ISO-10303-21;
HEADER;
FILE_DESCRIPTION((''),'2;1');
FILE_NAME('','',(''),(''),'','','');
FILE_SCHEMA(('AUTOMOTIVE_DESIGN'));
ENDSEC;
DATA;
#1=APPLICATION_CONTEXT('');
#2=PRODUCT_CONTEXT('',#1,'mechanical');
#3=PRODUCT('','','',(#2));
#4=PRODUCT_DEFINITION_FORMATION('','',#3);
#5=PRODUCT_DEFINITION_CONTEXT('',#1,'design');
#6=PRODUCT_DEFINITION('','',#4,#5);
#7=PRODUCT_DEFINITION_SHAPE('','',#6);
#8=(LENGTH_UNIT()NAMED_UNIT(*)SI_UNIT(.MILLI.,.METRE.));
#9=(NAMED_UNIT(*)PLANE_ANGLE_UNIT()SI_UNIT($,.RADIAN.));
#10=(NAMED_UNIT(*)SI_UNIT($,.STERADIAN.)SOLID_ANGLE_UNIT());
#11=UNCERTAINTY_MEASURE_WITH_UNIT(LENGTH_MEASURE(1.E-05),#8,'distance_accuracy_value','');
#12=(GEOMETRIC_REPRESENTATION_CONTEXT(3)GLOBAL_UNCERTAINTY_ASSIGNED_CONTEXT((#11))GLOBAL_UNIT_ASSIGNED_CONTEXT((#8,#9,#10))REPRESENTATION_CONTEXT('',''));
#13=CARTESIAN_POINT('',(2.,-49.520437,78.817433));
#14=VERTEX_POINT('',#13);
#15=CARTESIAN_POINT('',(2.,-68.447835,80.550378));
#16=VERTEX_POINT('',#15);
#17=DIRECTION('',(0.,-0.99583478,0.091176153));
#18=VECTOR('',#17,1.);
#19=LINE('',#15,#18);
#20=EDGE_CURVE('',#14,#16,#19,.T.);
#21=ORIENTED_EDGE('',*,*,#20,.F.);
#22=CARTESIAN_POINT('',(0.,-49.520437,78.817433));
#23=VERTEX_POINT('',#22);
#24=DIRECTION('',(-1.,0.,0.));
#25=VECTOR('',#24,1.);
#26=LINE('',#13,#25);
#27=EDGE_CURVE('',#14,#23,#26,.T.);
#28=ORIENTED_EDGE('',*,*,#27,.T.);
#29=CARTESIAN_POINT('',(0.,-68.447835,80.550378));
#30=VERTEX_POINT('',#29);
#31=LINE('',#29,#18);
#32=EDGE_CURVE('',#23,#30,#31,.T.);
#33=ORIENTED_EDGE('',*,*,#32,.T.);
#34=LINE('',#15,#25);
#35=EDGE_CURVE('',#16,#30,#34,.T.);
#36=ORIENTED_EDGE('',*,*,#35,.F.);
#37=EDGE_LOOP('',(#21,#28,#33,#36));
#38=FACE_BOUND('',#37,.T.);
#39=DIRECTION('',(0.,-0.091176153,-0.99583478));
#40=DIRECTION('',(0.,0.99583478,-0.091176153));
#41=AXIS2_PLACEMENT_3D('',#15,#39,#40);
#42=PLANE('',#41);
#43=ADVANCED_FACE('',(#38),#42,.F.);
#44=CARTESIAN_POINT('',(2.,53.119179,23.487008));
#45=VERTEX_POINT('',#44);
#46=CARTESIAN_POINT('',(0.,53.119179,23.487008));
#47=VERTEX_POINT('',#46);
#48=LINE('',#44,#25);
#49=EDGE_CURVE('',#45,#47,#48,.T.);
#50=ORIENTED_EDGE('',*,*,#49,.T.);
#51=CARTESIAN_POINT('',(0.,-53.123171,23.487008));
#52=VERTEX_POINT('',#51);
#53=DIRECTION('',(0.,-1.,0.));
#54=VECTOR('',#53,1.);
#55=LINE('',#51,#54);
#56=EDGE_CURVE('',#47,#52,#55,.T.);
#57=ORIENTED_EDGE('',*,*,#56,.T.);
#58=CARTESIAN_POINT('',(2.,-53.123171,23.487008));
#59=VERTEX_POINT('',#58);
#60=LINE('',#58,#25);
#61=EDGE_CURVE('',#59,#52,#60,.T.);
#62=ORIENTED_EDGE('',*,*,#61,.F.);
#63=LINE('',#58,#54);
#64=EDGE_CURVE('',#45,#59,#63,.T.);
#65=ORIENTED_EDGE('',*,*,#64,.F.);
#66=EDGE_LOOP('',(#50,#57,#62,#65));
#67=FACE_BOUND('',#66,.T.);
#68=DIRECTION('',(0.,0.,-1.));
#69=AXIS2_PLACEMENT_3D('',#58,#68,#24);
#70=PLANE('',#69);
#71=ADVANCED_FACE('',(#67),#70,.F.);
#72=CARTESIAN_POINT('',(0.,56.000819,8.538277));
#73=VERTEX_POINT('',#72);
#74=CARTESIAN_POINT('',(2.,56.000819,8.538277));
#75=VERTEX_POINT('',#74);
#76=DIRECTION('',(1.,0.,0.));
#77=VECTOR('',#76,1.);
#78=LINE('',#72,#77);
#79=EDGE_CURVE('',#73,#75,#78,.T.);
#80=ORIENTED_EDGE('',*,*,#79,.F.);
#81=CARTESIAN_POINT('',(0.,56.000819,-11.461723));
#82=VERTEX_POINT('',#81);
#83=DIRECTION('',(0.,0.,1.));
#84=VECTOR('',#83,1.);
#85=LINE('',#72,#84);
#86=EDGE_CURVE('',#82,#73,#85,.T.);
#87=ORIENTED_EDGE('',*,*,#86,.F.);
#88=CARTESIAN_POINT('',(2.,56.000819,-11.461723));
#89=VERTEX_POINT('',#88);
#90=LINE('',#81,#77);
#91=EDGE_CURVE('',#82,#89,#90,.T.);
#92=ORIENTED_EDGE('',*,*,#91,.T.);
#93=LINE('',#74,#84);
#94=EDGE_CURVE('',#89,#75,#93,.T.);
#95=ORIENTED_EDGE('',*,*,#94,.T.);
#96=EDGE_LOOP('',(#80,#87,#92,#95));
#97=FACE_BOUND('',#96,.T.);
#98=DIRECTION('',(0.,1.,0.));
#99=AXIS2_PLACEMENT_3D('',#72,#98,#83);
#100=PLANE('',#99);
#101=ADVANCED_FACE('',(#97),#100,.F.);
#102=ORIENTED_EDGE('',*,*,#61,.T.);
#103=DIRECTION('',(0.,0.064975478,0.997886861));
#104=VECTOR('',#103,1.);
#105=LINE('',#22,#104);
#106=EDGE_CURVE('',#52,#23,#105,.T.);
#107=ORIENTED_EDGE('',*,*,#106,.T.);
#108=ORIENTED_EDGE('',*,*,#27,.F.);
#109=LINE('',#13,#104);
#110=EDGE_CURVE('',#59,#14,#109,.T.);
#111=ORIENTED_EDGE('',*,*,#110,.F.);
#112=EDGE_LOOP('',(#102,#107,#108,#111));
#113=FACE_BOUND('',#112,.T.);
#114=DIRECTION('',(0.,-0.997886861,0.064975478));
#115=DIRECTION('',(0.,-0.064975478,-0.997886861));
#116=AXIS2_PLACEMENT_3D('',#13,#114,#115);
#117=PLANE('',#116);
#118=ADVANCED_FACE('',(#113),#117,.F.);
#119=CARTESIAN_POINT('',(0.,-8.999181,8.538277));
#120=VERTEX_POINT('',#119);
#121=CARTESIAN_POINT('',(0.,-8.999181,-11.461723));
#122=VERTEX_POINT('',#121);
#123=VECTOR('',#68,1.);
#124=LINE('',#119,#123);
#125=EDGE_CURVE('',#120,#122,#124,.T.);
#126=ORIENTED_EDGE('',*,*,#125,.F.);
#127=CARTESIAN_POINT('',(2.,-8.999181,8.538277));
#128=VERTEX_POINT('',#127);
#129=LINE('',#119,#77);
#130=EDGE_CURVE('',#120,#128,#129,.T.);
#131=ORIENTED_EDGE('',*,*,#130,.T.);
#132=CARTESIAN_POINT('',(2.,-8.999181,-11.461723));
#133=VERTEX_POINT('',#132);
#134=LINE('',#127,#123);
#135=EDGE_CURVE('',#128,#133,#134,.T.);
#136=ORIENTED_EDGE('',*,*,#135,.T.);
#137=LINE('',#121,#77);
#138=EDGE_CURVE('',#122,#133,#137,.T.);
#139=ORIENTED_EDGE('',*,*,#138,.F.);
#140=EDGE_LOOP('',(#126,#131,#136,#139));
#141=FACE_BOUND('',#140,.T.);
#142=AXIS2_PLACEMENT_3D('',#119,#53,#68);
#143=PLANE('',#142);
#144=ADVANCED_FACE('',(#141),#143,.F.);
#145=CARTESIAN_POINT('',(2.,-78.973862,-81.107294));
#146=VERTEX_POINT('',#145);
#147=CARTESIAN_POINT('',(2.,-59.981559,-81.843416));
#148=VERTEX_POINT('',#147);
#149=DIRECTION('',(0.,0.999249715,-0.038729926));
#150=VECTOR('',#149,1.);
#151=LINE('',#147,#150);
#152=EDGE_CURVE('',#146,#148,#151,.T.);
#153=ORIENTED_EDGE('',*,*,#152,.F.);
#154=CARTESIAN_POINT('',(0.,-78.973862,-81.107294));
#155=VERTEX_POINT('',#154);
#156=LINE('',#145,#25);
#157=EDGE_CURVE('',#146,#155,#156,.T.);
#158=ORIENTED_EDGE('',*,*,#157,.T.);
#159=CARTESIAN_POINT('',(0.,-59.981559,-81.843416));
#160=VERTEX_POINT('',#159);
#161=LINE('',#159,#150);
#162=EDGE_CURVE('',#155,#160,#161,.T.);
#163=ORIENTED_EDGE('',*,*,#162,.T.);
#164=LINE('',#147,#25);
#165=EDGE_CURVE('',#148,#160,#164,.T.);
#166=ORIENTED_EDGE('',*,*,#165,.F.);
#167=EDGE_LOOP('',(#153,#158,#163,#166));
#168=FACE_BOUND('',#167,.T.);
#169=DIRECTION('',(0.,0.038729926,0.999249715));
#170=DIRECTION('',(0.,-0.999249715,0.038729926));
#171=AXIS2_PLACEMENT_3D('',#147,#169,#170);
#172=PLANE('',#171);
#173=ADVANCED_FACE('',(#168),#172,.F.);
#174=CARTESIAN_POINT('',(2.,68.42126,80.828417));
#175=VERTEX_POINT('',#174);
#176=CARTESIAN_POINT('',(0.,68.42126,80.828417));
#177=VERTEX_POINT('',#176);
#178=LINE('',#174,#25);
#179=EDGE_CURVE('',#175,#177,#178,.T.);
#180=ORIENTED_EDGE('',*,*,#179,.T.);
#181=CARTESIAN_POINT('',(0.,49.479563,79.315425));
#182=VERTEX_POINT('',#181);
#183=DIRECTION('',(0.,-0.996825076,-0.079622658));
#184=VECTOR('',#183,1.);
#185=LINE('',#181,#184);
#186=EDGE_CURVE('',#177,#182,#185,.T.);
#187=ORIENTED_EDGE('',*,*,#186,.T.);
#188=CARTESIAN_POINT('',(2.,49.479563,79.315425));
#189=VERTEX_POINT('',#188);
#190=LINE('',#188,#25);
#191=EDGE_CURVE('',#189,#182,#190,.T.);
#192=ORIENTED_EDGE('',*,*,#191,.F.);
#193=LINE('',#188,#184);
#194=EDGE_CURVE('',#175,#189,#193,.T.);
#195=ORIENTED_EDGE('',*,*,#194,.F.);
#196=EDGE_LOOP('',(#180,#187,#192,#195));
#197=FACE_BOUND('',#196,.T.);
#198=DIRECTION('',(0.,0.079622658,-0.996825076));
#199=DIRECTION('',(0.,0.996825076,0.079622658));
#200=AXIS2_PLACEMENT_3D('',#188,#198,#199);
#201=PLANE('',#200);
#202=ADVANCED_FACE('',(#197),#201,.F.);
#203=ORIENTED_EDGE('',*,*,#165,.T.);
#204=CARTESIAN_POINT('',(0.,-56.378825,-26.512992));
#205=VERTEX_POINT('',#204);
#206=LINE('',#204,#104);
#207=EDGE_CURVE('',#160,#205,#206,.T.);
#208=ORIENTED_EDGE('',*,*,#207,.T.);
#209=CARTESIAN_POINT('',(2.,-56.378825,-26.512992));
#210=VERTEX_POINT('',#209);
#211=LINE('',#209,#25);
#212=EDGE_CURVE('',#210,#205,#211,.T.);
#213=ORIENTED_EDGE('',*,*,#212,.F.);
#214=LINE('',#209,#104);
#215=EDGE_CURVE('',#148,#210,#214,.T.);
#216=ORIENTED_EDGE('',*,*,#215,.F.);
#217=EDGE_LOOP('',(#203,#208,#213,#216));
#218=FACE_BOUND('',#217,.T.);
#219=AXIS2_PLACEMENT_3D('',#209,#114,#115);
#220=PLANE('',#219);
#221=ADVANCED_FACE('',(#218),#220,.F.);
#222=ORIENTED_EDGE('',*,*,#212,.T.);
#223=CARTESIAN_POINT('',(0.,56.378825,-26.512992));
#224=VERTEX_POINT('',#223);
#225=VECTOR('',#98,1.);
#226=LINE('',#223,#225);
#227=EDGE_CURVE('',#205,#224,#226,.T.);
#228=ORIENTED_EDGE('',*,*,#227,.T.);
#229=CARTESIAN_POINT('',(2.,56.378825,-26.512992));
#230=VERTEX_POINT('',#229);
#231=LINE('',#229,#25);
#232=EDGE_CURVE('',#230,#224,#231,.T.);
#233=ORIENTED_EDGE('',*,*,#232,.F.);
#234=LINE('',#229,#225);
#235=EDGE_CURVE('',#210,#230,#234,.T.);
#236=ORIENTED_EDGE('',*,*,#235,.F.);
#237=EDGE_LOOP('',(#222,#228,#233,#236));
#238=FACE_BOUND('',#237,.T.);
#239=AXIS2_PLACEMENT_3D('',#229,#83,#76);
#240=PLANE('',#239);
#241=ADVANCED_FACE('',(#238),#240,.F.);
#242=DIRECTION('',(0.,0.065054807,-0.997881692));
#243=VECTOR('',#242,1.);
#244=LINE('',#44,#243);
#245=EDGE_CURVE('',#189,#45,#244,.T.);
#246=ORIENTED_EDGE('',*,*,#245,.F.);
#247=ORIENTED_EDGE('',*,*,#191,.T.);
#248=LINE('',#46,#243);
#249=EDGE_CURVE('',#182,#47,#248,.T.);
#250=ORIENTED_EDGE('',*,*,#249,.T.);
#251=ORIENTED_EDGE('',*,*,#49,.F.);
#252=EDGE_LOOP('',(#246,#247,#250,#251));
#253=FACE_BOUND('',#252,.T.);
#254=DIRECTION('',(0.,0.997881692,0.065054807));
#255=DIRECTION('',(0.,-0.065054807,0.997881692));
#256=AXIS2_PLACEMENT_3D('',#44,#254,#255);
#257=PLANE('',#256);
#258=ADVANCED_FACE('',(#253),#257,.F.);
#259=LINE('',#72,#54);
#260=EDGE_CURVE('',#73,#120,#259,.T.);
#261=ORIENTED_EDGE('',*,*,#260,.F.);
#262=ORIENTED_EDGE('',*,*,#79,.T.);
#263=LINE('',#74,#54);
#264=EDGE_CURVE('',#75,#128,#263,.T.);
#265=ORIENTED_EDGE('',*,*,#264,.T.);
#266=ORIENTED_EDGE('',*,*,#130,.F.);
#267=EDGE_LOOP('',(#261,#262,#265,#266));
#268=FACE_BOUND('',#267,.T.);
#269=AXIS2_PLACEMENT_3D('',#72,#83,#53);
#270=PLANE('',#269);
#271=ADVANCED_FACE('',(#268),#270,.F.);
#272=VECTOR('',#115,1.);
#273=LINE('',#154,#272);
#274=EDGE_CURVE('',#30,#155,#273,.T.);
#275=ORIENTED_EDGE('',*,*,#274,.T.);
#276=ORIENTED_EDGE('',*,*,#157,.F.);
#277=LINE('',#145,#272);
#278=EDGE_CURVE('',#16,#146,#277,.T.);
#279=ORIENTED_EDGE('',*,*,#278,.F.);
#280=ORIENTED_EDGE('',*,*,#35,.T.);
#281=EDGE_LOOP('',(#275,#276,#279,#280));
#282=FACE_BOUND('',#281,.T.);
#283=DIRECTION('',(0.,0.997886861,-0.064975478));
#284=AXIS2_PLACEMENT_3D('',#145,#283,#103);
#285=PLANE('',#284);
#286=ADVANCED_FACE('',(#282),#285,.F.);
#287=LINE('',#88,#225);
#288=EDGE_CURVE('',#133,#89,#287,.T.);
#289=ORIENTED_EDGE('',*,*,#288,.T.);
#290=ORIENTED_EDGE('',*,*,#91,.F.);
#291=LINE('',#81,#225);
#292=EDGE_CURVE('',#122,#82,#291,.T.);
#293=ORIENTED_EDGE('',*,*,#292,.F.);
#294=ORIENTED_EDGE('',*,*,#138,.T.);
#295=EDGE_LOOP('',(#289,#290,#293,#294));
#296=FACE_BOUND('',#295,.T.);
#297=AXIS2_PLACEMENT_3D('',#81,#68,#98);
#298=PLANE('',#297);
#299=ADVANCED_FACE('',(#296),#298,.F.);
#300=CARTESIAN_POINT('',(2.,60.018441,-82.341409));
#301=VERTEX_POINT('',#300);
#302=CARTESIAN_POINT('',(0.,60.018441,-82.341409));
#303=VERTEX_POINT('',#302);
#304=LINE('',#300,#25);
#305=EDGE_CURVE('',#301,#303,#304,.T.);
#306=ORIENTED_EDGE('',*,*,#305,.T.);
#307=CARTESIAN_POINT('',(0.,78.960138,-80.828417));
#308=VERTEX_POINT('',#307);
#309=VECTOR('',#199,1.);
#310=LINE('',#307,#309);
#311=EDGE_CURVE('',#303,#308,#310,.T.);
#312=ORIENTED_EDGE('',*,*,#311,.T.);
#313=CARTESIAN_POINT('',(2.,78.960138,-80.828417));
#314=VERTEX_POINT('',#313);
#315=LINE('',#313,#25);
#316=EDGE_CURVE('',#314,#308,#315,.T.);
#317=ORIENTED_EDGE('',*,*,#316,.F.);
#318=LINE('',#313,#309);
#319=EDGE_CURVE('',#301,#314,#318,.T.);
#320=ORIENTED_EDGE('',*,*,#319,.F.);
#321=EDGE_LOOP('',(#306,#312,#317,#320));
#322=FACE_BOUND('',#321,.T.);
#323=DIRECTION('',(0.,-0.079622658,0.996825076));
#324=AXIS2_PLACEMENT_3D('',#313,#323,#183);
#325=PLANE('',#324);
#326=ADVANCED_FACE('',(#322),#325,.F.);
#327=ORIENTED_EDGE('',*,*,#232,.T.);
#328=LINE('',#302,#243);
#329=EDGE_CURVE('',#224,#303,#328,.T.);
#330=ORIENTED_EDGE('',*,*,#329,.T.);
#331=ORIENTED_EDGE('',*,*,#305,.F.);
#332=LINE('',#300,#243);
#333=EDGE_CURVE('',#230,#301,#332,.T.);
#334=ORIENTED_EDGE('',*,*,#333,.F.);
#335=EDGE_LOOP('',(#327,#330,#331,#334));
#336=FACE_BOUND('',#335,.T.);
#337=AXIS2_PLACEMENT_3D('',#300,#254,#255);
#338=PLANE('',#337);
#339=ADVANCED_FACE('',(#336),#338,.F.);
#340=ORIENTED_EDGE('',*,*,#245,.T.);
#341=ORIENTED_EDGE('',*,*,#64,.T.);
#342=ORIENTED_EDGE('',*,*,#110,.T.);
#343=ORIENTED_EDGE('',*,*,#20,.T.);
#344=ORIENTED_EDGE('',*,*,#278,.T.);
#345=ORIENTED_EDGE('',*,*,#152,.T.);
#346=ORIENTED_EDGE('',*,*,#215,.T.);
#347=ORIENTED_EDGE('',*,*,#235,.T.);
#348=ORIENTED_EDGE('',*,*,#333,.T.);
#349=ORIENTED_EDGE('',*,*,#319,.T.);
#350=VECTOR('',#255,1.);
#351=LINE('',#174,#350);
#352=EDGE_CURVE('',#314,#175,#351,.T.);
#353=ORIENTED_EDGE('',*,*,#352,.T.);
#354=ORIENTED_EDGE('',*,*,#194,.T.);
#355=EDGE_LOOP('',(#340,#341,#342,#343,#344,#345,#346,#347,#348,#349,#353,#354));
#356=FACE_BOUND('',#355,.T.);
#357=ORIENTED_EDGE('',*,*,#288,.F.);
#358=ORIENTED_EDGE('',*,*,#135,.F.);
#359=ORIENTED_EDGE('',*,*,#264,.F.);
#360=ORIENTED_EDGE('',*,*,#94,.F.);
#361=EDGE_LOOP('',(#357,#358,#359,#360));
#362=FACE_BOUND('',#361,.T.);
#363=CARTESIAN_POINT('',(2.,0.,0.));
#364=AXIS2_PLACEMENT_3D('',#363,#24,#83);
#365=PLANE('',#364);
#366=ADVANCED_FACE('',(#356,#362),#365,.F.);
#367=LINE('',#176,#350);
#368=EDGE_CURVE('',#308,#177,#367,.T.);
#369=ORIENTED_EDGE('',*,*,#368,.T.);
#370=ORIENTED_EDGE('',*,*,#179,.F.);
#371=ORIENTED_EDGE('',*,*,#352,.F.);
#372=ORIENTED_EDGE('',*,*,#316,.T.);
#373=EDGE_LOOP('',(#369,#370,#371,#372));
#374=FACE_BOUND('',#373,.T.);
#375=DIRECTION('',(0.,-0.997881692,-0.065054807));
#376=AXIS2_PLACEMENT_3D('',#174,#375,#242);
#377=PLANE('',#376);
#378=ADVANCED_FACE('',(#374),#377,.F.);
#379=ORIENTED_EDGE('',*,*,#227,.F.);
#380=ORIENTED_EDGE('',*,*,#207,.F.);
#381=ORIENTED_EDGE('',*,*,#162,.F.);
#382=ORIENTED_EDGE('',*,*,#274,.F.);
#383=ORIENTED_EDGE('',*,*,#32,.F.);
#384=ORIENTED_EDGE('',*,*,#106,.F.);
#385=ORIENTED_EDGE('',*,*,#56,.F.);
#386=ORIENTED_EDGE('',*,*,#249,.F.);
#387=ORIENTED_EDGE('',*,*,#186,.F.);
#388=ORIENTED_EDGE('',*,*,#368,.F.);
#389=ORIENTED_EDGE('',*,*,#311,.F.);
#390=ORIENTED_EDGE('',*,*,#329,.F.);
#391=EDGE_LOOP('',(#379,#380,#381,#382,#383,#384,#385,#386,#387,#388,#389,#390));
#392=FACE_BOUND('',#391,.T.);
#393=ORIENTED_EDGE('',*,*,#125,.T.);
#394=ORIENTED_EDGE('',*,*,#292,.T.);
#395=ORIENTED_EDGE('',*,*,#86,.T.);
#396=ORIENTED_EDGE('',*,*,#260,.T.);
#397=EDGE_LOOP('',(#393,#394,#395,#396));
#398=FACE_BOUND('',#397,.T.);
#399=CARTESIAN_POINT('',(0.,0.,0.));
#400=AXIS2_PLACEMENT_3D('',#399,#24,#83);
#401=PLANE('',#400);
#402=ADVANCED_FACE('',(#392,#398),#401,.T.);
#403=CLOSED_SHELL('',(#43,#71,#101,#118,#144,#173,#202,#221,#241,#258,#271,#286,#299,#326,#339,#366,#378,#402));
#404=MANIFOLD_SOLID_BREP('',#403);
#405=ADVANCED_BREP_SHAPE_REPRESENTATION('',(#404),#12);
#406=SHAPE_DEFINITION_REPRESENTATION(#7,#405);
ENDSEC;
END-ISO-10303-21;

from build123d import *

# Parameters (mm, degrees)
BOSS_EXTRUDE1_DEPTH = 2
SKETCH2_W           = 20
SKETCH2_H           = 65
CUT_EXTRUDE1_DEPTH  = 115.109502301


with BuildPart() as part:
    # Sketch1 → Boss-Extrude1 (new body)
    with BuildSketch(Plane(origin=(0, 0, 0), x_dir=(0, 0, -1), z_dir=(1, 0, 0))):
        Polygon((-23.487008112, -53.123171146), (-23.487008112, 53.119179438), (-79.3154252, 49.479562724), (-80.828417088, 68.421259669), (80.828417088, 78.960138367), (82.341408976, 60.018441422), (26.512991888, 56.378824708), (26.512991888, -56.378824708), (81.84341634, -59.981558578), (81.107293536, -78.973862025), (-80.550377935, -68.447834544), (-78.817432564, -49.520437276), align=None)
    extrude(amount=BOSS_EXTRUDE1_DEPTH)

    # Sketch2 → Cut-Extrude1 (cut, through all)
    with BuildSketch(Plane(origin=(2, 0, 0), x_dir=(0, 0, -1), z_dir=(1, 0, 0))):
        with Locations((1.46172303, 23.500819189)):
            Rectangle(SKETCH2_W, SKETCH2_H)
    extrude(amount=-CUT_EXTRUDE1_DEPTH, mode=Mode.SUBTRACT)


solid = part.part
